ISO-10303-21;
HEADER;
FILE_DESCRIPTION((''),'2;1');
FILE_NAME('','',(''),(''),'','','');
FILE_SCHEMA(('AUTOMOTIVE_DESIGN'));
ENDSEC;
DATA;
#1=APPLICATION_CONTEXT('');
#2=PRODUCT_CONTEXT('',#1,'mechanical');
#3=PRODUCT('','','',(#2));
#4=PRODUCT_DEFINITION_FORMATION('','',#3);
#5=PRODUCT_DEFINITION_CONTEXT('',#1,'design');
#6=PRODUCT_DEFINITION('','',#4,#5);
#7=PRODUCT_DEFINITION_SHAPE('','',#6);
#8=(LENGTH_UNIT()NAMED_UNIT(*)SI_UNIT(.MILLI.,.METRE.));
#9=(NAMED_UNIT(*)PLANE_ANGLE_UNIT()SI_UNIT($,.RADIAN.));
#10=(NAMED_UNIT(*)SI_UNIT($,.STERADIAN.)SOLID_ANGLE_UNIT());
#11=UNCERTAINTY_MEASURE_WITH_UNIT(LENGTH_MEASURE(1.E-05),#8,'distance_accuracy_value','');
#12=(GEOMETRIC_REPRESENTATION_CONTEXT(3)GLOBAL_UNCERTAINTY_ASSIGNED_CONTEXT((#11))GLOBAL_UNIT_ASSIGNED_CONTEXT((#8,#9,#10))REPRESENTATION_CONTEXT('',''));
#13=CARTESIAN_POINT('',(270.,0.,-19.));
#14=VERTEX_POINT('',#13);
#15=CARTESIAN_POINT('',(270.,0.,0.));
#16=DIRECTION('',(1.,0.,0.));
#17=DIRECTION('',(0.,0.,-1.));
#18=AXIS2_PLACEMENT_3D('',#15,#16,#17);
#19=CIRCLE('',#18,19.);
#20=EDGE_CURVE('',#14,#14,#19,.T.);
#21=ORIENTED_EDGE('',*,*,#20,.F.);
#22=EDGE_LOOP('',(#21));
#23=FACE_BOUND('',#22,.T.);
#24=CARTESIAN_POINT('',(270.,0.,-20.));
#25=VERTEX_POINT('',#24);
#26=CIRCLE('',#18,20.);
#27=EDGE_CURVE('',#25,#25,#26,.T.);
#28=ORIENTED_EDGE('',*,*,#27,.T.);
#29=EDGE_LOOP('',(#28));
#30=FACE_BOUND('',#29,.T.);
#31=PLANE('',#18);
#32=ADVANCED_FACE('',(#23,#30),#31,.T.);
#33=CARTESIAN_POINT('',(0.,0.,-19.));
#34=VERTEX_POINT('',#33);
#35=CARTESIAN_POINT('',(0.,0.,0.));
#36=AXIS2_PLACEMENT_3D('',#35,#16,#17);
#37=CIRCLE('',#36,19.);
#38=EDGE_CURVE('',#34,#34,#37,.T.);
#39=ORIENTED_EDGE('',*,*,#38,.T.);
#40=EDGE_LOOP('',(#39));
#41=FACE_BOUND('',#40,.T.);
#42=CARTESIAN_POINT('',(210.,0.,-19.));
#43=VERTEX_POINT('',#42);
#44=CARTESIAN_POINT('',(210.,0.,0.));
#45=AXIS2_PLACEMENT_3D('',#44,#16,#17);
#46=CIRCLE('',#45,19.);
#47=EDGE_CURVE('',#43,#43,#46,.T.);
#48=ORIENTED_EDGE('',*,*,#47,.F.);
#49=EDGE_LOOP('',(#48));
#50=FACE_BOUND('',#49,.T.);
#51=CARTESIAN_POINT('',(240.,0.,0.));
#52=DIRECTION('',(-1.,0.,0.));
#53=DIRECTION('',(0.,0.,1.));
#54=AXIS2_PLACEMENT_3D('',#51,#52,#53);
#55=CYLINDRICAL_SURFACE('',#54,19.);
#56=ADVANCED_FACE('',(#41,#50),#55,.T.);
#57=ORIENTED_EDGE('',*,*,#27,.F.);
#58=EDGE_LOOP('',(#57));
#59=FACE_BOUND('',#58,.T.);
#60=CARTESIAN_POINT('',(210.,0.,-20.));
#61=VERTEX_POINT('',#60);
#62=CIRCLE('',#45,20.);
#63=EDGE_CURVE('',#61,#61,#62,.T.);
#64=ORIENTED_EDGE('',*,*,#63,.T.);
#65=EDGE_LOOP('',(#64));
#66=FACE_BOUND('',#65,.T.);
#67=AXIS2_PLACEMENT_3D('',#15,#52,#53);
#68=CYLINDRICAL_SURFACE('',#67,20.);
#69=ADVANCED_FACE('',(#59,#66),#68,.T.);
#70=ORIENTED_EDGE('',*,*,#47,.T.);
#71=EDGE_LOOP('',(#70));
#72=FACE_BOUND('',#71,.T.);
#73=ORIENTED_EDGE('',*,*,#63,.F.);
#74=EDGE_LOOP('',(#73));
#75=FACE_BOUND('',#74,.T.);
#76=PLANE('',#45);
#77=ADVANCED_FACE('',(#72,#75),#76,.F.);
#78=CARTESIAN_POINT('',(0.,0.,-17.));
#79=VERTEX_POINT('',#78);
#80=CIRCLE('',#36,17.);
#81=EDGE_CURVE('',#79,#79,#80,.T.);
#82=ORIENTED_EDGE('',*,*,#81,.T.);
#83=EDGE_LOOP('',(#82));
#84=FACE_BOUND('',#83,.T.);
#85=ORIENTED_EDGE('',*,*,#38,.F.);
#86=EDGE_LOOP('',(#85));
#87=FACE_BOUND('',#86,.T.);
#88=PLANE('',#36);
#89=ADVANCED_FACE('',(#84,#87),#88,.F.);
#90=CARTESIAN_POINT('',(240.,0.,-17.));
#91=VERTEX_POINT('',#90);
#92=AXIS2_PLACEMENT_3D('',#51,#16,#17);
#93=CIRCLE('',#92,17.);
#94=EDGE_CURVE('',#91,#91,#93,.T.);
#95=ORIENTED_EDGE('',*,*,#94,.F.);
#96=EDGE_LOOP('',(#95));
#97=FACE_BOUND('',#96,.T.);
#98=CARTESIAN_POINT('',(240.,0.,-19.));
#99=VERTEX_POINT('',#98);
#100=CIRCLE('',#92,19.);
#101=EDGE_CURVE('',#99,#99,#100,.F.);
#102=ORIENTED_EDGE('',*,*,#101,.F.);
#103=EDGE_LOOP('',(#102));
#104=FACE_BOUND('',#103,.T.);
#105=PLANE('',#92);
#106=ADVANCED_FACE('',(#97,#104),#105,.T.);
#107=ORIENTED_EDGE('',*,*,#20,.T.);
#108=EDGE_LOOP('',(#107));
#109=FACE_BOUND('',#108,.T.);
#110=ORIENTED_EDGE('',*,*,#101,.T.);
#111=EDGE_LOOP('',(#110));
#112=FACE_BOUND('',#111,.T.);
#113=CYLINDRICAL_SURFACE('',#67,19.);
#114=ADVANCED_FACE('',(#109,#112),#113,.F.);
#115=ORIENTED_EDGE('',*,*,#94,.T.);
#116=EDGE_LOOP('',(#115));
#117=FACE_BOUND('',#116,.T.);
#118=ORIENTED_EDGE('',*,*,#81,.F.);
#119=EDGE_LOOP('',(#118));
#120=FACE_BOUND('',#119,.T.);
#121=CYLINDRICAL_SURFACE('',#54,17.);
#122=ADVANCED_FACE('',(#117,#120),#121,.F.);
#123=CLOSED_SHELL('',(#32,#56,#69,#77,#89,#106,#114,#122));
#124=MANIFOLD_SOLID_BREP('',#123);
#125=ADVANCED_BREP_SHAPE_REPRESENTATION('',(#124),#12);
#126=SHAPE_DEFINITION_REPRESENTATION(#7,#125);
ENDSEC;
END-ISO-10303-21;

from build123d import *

# Parameters (mm, degrees)
SKETCH1_R           = 19
SKETCH1_R_2         = 17
BOSS_EXTRUDE1_DEPTH = 240
SKETCH2_R           = 20
SKETCH2_R_2         = 19
BOSS_EXTRUDE2_DEPTH = 30


with BuildPart() as part:
    # Sketch1 → Boss-Extrude1 (new body)
    with BuildSketch(Plane(origin=(0, 0, 0), x_dir=(0, 0, -1), z_dir=(1, 0, 0))):
        Circle(SKETCH1_R)
        Circle(SKETCH1_R_2, mode=Mode.SUBTRACT)
    extrude(amount=BOSS_EXTRUDE1_DEPTH)

    # Sketch2 → Boss-Extrude2 (add, symmetric)
    with BuildSketch(Plane(origin=(240, 0, 0), x_dir=(0, 0, -1), z_dir=(1, 0, 0))):
        Circle(SKETCH2_R)
        Circle(SKETCH2_R_2, mode=Mode.SUBTRACT)
    extrude(amount=BOSS_EXTRUDE2_DEPTH, both=True)


solid = part.part
